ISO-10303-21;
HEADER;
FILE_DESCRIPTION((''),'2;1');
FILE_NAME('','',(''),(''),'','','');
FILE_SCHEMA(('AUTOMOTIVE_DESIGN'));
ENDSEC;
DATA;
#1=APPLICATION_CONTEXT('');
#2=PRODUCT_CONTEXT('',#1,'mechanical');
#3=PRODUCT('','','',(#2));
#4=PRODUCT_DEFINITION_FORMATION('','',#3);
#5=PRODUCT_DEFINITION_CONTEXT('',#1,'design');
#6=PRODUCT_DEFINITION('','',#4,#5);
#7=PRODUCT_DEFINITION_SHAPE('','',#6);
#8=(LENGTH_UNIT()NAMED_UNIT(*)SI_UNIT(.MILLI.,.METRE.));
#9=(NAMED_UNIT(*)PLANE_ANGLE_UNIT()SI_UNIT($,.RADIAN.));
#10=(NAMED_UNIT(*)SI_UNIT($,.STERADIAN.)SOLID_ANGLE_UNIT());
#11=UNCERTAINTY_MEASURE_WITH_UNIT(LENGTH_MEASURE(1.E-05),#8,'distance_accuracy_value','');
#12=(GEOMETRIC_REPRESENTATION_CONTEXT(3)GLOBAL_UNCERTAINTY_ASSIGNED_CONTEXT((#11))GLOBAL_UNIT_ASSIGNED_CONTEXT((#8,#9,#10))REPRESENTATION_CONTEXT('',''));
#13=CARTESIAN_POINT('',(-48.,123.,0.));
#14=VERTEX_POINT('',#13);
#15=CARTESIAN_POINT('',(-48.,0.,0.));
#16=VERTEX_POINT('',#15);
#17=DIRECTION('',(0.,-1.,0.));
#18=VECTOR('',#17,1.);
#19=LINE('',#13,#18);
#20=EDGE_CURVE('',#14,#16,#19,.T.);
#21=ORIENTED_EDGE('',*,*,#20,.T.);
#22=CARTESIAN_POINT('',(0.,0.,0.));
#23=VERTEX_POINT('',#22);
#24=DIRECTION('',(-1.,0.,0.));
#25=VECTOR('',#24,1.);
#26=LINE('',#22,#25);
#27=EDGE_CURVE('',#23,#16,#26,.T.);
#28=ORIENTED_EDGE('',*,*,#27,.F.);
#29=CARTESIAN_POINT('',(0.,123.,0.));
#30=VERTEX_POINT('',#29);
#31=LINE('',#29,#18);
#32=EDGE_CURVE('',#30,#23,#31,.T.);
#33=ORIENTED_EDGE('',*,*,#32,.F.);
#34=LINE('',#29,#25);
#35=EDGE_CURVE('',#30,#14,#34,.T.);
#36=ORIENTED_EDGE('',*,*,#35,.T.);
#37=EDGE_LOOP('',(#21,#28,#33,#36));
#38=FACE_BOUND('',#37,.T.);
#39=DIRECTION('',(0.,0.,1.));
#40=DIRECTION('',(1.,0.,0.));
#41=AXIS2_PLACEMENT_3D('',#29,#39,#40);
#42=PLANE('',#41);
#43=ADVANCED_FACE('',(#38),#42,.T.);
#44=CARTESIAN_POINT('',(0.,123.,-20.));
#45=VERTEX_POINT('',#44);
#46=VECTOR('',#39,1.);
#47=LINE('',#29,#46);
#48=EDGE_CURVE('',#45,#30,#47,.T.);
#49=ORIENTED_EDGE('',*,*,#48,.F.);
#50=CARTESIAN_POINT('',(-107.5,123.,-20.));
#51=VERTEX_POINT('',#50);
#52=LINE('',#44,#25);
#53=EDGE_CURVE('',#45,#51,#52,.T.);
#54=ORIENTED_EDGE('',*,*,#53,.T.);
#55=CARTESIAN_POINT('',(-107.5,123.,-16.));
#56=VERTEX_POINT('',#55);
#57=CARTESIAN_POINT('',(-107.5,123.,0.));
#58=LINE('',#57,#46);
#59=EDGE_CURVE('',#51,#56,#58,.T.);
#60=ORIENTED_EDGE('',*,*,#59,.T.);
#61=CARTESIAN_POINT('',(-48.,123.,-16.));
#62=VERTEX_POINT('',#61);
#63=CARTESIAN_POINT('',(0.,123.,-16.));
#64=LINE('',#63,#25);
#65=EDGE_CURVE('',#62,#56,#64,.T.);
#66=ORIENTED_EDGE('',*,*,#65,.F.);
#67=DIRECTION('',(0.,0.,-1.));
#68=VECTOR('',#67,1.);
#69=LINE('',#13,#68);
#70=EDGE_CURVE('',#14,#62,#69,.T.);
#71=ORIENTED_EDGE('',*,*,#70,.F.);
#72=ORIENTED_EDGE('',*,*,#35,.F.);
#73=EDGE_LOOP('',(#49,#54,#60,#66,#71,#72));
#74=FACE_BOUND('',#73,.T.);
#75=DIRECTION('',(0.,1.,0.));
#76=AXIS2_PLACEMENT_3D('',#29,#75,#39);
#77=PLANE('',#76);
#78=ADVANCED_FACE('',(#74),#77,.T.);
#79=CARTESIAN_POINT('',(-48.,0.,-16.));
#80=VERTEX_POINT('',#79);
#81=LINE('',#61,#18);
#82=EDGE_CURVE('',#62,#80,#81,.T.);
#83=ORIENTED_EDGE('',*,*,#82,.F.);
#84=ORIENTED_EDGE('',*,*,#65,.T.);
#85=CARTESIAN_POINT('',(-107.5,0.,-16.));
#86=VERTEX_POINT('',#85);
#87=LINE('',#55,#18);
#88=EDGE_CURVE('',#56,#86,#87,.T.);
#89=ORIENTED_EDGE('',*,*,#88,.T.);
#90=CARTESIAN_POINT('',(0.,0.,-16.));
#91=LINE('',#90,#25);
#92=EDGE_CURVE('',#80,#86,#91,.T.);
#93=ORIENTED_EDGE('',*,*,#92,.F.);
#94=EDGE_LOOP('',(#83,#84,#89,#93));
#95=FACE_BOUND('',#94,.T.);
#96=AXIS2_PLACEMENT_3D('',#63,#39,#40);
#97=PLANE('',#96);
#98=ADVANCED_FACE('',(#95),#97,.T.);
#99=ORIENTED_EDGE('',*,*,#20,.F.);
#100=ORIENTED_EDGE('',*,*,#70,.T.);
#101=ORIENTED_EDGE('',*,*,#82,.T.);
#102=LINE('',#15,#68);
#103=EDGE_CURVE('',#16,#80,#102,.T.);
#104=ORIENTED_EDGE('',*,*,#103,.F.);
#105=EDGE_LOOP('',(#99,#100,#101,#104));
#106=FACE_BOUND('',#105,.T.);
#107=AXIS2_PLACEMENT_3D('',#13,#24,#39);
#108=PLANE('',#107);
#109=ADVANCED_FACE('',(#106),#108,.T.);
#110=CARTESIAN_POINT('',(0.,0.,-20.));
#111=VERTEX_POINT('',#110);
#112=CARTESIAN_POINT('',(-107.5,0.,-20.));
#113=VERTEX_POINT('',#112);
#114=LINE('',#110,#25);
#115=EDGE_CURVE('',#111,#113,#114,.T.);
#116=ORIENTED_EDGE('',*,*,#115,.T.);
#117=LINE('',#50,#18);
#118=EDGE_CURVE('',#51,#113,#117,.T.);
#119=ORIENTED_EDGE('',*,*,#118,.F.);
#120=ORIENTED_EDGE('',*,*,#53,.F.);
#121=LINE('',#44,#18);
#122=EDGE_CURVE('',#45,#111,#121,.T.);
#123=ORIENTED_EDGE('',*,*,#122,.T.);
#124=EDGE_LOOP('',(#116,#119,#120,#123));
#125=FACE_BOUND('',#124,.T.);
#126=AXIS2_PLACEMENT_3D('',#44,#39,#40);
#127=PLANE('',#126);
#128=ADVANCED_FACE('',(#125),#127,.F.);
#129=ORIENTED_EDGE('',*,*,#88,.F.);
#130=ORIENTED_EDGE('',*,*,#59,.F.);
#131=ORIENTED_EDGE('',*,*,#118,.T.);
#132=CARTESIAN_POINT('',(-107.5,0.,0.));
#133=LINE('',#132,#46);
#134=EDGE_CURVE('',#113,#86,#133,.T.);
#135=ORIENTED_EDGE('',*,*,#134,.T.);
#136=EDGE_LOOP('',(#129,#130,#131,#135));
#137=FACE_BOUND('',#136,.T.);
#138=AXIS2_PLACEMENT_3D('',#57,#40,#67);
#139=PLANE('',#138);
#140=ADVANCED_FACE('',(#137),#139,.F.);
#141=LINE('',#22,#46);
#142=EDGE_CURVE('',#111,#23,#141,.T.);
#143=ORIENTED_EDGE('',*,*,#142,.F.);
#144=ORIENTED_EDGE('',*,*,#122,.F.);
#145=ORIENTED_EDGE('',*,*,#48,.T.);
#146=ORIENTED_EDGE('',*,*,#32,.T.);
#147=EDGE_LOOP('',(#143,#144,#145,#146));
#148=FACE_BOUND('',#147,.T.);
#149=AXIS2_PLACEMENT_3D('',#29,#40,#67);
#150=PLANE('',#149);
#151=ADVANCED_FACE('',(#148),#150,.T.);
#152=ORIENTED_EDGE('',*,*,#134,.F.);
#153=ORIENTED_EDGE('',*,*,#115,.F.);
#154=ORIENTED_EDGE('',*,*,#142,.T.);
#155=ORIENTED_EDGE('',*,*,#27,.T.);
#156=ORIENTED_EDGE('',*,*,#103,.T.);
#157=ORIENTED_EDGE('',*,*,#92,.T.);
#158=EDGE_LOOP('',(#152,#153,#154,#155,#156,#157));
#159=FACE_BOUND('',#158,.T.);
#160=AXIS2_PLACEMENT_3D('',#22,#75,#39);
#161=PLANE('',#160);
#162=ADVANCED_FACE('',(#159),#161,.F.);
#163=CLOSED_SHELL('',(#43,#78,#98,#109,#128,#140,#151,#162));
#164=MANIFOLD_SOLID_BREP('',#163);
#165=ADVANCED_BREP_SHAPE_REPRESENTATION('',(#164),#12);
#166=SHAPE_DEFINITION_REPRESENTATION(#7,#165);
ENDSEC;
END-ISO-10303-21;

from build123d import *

# Parameters (mm, degrees)
SKETCH1_W           = 59.5
SKETCH1_H           = 4
SKETCH1_W_2         = 4
SKETCH1_W_3         = 44
BOSS_EXTRUDE1_DEPTH = 123


with BuildPart() as part:
    # Sketch1 → Boss-Extrude1 (new body)
    with BuildSketch(Plane(origin=(0, 0, 0), x_dir=(1, 0, 0), z_dir=(0, 1, 0))):
        with Locations((-77.75, 18)):
            Rectangle(SKETCH1_W, SKETCH1_H)
        with Locations((-46, 18)):
            Rectangle(SKETCH1_W_2, SKETCH1_H)
        Polygon((-48, 0), (-44, 0), (-44, 4), (-44, 16), (-48, 16), align=None)
        with Locations((-22, 2)):
            Rectangle(SKETCH1_W_3, SKETCH1_H)
        Polygon((-44, 4), (0, 4), (0, 20), (-44, 20), (-44, 16), align=None)
    extrude(amount=BOSS_EXTRUDE1_DEPTH)


solid = part.part
